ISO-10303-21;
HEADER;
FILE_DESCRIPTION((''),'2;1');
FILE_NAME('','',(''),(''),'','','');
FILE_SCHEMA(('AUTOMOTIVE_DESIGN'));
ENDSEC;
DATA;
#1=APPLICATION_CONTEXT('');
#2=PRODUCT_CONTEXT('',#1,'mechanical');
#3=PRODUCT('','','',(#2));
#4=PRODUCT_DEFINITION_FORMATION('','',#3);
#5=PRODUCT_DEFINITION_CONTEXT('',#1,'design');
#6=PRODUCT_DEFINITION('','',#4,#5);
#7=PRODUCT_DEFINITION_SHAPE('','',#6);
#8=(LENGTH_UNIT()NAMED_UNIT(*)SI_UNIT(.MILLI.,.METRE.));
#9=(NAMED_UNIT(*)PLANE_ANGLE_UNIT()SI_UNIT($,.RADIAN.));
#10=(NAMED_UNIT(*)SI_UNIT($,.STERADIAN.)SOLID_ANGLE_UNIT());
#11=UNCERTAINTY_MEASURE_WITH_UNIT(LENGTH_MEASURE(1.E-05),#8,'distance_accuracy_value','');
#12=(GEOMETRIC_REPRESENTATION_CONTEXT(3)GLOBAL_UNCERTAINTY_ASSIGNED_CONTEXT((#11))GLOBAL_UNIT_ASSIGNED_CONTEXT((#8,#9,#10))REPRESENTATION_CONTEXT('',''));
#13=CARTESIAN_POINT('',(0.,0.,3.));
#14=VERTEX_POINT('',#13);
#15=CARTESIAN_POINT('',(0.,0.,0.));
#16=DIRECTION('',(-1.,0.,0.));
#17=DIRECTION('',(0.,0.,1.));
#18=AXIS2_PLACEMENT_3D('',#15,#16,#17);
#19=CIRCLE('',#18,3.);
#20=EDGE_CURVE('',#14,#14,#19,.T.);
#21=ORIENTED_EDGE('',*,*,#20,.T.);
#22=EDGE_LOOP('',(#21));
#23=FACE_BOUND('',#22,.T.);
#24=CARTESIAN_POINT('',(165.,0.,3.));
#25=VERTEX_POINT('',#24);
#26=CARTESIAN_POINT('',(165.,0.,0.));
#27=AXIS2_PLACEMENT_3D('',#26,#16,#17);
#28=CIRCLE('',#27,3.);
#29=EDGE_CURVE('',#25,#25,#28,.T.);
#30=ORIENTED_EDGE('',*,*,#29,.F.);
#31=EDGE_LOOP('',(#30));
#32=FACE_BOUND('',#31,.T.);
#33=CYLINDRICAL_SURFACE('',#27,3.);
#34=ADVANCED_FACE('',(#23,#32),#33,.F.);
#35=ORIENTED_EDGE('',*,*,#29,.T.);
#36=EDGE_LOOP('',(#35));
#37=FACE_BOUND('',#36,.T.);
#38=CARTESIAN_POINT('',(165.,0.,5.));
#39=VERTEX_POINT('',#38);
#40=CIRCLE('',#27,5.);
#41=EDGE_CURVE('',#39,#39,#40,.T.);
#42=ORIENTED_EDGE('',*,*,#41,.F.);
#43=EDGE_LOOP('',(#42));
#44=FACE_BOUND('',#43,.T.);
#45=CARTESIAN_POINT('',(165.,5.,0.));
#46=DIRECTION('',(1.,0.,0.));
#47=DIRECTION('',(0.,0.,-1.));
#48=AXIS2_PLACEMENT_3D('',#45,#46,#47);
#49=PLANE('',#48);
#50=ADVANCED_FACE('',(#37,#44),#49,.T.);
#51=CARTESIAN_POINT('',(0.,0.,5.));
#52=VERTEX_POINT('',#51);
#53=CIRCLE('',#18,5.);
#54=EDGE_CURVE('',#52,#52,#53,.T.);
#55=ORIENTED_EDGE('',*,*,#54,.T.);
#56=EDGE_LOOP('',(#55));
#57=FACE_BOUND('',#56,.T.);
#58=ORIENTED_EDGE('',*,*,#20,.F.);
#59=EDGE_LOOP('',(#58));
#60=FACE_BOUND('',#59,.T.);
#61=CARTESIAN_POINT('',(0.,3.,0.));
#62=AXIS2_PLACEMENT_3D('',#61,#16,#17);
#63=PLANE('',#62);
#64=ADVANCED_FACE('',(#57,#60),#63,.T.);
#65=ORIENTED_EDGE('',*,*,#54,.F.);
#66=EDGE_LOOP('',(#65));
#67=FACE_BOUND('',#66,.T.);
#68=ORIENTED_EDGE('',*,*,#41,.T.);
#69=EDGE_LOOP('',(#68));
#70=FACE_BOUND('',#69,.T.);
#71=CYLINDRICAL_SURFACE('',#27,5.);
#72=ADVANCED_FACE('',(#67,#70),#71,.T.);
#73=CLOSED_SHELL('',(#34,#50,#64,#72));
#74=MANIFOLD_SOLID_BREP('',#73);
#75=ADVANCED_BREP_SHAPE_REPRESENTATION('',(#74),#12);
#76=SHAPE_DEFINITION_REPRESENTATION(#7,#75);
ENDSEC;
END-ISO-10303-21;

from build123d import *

# Parameters (mm, degrees)
SKETCH1_W = 165
SKETCH1_H = 2


with BuildPart() as part:
    # Sketch1 → Revolve1 (revolve)
    with BuildSketch(Plane(origin=(0, 0, 0), x_dir=(-1, 0, 0), z_dir=(0, 0, -1))):
        with Locations((-82.5, 4)):
            Rectangle(SKETCH1_W, SKETCH1_H)
    revolve(axis=Axis((165, 0, 0), (-1, 0, 0)))


solid = part.part
